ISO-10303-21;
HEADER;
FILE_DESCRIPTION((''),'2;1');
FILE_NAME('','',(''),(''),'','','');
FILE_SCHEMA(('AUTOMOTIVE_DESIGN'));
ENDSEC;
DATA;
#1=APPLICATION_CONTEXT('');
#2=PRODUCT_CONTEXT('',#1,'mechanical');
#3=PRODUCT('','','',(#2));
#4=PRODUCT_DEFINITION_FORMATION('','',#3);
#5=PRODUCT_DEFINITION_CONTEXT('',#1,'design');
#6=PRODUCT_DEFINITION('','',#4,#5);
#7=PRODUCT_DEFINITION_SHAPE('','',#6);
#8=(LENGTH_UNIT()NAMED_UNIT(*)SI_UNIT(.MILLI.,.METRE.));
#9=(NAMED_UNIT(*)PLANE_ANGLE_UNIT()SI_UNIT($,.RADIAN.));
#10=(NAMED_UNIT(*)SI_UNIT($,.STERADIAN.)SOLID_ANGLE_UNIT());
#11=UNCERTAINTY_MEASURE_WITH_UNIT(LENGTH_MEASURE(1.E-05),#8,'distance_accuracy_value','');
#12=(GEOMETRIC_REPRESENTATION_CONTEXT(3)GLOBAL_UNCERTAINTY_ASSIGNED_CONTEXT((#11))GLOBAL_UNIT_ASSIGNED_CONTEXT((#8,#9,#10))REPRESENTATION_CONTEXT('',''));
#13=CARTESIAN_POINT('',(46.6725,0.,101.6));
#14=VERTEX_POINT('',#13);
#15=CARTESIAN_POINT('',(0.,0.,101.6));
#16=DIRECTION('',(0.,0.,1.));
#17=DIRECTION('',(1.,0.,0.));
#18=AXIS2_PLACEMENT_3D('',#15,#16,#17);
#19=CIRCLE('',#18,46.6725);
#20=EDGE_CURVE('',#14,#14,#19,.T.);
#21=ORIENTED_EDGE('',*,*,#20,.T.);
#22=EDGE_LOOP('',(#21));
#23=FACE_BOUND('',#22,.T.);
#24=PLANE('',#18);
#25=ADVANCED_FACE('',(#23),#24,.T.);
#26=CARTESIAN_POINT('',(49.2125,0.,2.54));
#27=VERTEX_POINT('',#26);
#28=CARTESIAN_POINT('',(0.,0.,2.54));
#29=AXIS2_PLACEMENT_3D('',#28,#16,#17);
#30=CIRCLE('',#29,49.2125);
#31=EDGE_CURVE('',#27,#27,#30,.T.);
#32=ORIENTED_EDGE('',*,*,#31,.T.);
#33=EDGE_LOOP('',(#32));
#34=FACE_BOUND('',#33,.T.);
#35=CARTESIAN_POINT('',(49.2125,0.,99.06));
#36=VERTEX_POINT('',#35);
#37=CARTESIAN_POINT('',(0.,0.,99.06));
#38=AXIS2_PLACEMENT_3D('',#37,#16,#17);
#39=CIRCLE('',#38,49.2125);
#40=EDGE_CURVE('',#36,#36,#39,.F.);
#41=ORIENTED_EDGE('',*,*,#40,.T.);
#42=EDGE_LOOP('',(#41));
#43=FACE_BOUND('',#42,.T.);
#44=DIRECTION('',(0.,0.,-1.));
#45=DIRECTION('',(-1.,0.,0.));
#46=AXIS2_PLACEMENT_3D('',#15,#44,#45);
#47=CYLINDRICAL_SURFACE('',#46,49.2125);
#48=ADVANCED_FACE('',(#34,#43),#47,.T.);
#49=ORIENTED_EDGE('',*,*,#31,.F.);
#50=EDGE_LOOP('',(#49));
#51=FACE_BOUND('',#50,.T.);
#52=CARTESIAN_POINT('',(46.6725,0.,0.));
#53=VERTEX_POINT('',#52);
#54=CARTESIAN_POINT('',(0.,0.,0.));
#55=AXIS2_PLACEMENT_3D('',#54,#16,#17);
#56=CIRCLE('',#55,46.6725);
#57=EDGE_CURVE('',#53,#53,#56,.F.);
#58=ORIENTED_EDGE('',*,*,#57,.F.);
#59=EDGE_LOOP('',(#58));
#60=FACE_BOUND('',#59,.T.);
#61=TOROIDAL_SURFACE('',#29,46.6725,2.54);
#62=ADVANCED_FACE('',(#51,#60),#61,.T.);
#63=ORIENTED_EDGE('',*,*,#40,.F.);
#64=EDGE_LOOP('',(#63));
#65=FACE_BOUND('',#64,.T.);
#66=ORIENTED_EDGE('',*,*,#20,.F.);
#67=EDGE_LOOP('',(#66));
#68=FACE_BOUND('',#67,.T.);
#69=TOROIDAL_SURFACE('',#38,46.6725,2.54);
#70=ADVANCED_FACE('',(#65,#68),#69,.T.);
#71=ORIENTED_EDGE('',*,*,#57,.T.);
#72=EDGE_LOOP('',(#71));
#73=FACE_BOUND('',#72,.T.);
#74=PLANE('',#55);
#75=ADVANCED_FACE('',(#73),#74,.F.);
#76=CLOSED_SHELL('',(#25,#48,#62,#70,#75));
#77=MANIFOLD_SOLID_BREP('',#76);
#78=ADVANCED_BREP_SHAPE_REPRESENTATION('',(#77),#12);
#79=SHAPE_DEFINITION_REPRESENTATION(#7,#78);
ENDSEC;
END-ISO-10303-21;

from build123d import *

# Parameters (mm, degrees)
SKETCH1_R           = 49.2125
BOSS_EXTRUDE1_DEPTH = 101.6
FILLET1_R           = 2.54


with BuildPart() as part:
    # Sketch1 → Boss-Extrude1 (new body)
    with BuildSketch(Plane.XY):
        Circle(SKETCH1_R)
    extrude(amount=BOSS_EXTRUDE1_DEPTH)

    # Fillet1
    fillet1_edges = [part.edges().sort_by_distance(p)[0] for p in [
        (-49.2125, 0, 0),
        (-49.2125, 0, 101.6),
    ]]
    fillet(fillet1_edges, radius=FILLET1_R)


solid = part.part
